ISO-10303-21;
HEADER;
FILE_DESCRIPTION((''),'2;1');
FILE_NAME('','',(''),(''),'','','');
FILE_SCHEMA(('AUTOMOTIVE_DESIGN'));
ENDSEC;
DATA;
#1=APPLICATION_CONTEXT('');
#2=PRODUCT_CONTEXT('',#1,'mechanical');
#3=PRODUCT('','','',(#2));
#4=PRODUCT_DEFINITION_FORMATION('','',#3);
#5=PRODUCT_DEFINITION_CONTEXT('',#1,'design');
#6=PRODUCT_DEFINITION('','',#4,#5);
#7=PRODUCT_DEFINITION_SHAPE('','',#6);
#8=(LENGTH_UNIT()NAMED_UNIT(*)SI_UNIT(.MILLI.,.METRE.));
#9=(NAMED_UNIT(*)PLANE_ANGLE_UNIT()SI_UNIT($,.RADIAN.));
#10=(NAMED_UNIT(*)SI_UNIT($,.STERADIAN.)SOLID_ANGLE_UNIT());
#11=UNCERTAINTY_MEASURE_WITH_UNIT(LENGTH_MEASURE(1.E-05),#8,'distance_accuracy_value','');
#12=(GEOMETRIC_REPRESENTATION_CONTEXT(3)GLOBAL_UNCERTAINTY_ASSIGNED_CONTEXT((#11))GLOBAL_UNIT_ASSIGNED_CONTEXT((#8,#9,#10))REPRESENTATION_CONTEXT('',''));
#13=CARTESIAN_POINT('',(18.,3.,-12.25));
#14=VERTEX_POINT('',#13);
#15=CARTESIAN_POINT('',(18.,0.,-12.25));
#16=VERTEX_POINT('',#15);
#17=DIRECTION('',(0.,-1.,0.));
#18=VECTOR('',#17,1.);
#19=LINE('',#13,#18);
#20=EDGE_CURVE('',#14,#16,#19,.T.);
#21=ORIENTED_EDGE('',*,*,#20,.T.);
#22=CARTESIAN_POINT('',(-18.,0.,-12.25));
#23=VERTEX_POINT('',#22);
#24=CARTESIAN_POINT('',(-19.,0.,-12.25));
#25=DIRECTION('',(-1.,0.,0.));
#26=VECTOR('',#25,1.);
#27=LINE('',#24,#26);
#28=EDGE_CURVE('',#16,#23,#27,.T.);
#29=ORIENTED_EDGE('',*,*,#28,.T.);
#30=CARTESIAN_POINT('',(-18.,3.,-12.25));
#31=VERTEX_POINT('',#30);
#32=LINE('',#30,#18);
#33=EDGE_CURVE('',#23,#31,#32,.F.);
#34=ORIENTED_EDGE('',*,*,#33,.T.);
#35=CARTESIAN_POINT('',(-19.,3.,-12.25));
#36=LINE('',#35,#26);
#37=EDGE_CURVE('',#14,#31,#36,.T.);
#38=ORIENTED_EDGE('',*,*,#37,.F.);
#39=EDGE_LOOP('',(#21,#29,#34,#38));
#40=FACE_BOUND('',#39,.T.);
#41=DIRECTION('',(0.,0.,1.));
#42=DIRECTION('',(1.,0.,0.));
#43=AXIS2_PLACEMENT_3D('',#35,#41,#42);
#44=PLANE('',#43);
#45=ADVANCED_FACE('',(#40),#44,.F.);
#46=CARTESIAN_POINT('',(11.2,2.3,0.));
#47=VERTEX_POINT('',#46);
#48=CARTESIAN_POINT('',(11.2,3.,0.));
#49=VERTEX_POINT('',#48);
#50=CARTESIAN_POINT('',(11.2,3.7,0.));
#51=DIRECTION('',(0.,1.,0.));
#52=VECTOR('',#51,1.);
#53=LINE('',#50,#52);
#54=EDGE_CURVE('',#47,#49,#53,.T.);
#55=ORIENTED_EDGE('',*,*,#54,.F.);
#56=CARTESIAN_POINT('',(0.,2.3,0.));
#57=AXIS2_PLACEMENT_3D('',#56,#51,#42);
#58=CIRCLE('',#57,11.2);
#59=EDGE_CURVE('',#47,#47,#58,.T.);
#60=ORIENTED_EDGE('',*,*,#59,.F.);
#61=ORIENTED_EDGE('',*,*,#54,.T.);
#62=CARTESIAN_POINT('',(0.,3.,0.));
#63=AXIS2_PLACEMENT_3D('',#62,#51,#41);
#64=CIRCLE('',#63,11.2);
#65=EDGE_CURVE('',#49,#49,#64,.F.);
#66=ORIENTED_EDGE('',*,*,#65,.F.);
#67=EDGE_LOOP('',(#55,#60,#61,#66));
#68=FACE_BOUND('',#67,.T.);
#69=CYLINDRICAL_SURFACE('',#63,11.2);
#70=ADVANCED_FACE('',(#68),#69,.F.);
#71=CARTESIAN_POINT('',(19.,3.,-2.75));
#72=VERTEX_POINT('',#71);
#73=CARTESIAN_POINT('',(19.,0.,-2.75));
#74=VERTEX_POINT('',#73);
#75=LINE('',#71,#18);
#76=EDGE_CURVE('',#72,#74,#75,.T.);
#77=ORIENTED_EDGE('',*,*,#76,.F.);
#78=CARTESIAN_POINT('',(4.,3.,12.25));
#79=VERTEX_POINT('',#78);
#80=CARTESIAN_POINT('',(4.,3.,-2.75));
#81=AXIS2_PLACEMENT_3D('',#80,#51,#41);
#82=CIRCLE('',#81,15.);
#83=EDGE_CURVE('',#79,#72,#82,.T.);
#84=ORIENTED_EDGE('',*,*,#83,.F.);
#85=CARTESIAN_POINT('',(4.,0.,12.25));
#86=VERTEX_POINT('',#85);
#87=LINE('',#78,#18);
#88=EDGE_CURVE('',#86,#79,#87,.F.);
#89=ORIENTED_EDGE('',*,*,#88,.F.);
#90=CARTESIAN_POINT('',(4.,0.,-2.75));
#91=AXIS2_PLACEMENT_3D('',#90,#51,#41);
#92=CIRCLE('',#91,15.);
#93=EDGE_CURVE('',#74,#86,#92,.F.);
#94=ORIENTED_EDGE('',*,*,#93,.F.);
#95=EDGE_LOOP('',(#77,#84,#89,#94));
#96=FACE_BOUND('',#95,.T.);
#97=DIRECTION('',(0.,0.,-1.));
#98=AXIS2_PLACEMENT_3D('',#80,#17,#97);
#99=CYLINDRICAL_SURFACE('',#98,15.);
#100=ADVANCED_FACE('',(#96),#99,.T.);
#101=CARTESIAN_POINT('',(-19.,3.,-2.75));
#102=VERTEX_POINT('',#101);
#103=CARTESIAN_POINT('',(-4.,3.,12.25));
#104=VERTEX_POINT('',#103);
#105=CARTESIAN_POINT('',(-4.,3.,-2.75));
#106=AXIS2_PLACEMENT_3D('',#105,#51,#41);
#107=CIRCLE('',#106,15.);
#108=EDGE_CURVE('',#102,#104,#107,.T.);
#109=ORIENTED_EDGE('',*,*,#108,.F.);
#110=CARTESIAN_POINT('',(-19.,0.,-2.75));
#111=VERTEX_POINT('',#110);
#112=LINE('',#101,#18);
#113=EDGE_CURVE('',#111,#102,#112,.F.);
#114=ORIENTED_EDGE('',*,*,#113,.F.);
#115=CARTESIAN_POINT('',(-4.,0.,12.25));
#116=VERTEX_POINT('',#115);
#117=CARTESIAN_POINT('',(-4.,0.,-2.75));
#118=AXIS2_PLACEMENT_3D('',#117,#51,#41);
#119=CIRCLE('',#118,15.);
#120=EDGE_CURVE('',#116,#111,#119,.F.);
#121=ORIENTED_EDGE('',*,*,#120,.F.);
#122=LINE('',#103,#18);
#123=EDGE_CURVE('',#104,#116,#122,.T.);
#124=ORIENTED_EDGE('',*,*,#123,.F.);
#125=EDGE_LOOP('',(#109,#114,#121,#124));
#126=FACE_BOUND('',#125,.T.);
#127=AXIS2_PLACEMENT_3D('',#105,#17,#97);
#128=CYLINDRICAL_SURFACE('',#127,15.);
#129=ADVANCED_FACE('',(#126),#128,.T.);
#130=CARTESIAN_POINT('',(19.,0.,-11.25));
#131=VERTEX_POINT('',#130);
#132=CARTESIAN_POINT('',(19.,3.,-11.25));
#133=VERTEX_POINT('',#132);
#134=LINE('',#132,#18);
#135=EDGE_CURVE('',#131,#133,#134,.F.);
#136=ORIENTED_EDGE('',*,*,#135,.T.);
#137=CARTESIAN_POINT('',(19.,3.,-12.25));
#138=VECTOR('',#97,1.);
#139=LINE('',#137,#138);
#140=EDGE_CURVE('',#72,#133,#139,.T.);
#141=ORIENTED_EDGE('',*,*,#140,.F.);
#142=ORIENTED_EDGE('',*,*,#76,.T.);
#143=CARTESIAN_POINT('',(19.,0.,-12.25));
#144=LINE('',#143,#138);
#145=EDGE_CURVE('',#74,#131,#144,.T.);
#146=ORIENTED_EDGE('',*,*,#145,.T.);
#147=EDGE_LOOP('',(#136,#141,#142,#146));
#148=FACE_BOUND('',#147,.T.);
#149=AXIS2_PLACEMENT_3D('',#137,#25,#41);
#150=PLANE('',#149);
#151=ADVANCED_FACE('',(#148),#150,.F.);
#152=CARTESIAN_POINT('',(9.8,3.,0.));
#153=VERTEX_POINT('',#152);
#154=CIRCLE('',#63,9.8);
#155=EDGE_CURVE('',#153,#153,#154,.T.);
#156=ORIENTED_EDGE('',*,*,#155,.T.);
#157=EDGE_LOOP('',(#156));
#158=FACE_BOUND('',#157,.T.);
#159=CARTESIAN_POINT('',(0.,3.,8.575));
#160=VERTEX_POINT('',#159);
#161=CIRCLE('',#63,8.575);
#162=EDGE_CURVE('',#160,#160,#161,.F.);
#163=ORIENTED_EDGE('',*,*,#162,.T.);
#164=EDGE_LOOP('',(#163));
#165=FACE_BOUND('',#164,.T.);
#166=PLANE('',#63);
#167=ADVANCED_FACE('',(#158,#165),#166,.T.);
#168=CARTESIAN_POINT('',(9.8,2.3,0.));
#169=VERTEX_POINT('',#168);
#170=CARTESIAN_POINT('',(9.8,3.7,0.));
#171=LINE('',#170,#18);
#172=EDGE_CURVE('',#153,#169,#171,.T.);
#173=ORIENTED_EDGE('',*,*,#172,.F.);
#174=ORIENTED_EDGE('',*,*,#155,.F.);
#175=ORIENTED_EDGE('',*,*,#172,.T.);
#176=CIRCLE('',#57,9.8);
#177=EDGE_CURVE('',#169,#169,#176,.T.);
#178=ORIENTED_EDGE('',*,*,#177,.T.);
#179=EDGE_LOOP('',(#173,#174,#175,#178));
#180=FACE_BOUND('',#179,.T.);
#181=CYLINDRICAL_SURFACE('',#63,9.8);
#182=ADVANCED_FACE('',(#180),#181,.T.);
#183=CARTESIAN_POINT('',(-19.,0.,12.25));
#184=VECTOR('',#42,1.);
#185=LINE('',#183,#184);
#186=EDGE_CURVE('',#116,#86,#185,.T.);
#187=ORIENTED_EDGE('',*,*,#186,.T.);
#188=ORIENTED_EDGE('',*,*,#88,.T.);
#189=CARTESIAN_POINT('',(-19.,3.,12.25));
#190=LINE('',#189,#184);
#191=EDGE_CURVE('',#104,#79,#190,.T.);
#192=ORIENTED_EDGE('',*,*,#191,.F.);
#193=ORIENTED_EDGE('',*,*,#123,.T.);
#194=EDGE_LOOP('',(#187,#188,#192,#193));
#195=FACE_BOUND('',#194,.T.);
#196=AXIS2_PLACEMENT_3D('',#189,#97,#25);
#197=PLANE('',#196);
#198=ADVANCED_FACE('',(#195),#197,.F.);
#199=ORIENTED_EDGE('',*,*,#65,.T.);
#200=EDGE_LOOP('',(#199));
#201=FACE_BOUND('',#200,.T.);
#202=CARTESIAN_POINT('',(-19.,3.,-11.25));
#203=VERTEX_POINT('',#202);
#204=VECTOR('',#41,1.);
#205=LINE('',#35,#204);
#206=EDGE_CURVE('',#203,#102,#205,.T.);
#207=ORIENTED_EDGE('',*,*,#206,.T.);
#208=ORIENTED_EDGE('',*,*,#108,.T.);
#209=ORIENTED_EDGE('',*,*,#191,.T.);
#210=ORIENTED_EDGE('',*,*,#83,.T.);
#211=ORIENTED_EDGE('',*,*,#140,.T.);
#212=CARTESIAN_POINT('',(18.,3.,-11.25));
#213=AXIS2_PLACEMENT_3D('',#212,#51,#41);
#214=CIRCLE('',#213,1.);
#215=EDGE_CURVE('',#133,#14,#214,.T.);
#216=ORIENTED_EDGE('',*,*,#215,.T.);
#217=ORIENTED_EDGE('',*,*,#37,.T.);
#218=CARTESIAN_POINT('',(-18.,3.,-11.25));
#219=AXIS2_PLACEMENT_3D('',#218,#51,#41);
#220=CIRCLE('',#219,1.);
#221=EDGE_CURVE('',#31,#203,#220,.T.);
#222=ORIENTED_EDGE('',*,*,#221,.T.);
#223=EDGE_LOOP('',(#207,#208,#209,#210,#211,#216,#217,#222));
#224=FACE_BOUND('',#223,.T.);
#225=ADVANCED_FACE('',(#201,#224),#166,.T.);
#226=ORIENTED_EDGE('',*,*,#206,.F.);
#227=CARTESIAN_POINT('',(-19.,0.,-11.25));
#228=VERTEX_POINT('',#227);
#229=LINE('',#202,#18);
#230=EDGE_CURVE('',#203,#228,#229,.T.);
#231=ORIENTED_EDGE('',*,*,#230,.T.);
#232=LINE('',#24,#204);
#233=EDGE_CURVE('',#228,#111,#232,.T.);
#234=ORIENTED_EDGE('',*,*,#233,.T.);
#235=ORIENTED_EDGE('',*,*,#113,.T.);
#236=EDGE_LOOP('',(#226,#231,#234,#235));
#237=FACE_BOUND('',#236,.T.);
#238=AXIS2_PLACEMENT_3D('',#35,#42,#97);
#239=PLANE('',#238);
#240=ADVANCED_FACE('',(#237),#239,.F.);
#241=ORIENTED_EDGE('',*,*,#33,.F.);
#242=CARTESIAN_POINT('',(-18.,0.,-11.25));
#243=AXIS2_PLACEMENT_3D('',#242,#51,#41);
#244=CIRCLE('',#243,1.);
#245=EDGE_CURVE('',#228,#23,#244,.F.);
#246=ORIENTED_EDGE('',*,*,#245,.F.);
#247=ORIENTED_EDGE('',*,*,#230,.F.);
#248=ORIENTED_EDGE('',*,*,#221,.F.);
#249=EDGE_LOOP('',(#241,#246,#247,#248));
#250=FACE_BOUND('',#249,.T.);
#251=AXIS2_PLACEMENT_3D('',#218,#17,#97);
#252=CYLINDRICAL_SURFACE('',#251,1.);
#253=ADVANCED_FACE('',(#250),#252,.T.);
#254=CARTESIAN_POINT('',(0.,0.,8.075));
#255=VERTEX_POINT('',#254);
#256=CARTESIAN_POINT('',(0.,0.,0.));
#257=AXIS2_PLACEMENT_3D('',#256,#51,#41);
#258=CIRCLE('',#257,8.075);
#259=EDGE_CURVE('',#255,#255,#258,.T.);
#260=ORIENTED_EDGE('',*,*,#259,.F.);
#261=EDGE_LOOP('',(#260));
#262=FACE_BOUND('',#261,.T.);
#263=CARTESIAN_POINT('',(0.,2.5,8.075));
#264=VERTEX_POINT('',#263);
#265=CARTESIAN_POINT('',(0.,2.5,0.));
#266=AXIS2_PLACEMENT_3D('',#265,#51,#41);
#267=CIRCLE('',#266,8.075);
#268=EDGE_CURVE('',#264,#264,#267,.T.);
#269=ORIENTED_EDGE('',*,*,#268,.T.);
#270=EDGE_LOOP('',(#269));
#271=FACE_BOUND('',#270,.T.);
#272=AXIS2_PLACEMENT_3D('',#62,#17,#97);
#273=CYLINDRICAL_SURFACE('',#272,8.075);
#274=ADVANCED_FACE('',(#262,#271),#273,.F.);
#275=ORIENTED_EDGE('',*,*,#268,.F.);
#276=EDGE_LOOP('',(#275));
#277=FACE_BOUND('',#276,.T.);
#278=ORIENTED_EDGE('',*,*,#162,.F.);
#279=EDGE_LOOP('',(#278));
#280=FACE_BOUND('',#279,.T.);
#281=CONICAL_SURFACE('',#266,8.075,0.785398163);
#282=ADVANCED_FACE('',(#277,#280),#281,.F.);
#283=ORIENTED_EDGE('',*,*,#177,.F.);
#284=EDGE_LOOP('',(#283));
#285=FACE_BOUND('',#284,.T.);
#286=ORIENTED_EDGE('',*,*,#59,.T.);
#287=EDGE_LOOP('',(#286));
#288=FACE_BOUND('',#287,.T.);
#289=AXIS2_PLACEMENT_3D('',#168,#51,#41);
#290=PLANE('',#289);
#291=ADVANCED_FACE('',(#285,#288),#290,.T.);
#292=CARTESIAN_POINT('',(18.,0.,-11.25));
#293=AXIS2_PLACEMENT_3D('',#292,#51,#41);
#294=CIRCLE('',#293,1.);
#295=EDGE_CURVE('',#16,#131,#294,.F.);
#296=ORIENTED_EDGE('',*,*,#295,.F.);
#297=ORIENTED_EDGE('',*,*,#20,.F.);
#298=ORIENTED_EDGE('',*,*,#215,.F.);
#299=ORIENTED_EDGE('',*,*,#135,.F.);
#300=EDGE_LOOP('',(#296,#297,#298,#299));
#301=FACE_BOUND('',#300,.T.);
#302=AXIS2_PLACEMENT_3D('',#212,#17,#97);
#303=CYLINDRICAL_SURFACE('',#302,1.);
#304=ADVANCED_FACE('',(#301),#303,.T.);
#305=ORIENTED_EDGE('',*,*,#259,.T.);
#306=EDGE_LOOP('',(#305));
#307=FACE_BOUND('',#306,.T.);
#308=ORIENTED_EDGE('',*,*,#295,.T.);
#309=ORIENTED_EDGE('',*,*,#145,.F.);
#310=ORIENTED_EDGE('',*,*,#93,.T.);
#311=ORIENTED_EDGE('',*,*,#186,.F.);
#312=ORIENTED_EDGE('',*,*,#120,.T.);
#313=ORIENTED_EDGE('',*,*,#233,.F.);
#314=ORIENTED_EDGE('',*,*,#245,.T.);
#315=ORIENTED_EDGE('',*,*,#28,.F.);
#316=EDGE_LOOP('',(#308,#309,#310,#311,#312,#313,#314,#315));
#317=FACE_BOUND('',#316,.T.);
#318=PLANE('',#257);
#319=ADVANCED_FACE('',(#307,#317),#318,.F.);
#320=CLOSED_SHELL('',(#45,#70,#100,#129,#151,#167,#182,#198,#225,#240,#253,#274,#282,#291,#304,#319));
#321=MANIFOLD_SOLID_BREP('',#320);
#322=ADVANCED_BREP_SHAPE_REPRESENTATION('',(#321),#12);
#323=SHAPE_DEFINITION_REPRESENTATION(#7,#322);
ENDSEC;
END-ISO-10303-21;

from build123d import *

# Parameters (mm, degrees)
SKETCH1_W           = 38
SKETCH1_H           = 24.5
SKETCH1_R           = 8.075
BOSS_EXTRUDE1_DEPTH = 3
FILLET1_R           = 15
SKETCH3_W           = 1.4
SKETCH3_H           = 1.4
FILLET2_R           = 1
CHAMFER1_SIZE       = 0.5


with BuildPart() as part:
    # Sketch1 → Boss-Extrude1 (new body)
    with BuildSketch(Plane(origin=(0, 0, 0), x_dir=(1, 0, 0), z_dir=(0, 1, 0))):
        Rectangle(SKETCH1_W, SKETCH1_H)
        with Locations(Location((0, 0, 0), (0, 0, 270))):
            Circle(SKETCH1_R, mode=Mode.SUBTRACT)
    extrude(amount=BOSS_EXTRUDE1_DEPTH)

    # Fillet1
    fillet1_edges = [part.edges().sort_by_distance(p)[0] for p in [
        (19, 1.5, 12.25),
        (-19, 1.5, 12.25),
    ]]
    fillet(fillet1_edges, radius=FILLET1_R)

    # Cut-Sweep1: sweep along a path in Sketch2
    with BuildLine(Plane(origin=(0, 3, 0), x_dir=(1, 0, 0), z_dir=(0, 1, 0))) as cut_sweep1_path:
        CenterArc((0, 0), 10.5, 0, 360)
    # Sketch3 → Cut-Sweep1 (sweep, cut)
    with BuildSketch(Plane.XY):
        with Locations((10.5, 3)):
            Rectangle(SKETCH3_W, SKETCH3_H)
    sweep(path=cut_sweep1_path.line, mode=Mode.SUBTRACT)

    # Fillet2
    fillet2_edges = [part.edges().sort_by_distance(p)[0] for p in [
        (-19, 1.5, -12.25),
        (19, 1.5, -12.25),
    ]]
    fillet(fillet2_edges, radius=FILLET2_R)

    # Chamfer1
    chamfer1_edges = [part.edges().sort_by_distance(p)[0] for p in [
        (0, 3, -8.075),
    ]]
    chamfer(chamfer1_edges, length=CHAMFER1_SIZE)


solid = part.part
